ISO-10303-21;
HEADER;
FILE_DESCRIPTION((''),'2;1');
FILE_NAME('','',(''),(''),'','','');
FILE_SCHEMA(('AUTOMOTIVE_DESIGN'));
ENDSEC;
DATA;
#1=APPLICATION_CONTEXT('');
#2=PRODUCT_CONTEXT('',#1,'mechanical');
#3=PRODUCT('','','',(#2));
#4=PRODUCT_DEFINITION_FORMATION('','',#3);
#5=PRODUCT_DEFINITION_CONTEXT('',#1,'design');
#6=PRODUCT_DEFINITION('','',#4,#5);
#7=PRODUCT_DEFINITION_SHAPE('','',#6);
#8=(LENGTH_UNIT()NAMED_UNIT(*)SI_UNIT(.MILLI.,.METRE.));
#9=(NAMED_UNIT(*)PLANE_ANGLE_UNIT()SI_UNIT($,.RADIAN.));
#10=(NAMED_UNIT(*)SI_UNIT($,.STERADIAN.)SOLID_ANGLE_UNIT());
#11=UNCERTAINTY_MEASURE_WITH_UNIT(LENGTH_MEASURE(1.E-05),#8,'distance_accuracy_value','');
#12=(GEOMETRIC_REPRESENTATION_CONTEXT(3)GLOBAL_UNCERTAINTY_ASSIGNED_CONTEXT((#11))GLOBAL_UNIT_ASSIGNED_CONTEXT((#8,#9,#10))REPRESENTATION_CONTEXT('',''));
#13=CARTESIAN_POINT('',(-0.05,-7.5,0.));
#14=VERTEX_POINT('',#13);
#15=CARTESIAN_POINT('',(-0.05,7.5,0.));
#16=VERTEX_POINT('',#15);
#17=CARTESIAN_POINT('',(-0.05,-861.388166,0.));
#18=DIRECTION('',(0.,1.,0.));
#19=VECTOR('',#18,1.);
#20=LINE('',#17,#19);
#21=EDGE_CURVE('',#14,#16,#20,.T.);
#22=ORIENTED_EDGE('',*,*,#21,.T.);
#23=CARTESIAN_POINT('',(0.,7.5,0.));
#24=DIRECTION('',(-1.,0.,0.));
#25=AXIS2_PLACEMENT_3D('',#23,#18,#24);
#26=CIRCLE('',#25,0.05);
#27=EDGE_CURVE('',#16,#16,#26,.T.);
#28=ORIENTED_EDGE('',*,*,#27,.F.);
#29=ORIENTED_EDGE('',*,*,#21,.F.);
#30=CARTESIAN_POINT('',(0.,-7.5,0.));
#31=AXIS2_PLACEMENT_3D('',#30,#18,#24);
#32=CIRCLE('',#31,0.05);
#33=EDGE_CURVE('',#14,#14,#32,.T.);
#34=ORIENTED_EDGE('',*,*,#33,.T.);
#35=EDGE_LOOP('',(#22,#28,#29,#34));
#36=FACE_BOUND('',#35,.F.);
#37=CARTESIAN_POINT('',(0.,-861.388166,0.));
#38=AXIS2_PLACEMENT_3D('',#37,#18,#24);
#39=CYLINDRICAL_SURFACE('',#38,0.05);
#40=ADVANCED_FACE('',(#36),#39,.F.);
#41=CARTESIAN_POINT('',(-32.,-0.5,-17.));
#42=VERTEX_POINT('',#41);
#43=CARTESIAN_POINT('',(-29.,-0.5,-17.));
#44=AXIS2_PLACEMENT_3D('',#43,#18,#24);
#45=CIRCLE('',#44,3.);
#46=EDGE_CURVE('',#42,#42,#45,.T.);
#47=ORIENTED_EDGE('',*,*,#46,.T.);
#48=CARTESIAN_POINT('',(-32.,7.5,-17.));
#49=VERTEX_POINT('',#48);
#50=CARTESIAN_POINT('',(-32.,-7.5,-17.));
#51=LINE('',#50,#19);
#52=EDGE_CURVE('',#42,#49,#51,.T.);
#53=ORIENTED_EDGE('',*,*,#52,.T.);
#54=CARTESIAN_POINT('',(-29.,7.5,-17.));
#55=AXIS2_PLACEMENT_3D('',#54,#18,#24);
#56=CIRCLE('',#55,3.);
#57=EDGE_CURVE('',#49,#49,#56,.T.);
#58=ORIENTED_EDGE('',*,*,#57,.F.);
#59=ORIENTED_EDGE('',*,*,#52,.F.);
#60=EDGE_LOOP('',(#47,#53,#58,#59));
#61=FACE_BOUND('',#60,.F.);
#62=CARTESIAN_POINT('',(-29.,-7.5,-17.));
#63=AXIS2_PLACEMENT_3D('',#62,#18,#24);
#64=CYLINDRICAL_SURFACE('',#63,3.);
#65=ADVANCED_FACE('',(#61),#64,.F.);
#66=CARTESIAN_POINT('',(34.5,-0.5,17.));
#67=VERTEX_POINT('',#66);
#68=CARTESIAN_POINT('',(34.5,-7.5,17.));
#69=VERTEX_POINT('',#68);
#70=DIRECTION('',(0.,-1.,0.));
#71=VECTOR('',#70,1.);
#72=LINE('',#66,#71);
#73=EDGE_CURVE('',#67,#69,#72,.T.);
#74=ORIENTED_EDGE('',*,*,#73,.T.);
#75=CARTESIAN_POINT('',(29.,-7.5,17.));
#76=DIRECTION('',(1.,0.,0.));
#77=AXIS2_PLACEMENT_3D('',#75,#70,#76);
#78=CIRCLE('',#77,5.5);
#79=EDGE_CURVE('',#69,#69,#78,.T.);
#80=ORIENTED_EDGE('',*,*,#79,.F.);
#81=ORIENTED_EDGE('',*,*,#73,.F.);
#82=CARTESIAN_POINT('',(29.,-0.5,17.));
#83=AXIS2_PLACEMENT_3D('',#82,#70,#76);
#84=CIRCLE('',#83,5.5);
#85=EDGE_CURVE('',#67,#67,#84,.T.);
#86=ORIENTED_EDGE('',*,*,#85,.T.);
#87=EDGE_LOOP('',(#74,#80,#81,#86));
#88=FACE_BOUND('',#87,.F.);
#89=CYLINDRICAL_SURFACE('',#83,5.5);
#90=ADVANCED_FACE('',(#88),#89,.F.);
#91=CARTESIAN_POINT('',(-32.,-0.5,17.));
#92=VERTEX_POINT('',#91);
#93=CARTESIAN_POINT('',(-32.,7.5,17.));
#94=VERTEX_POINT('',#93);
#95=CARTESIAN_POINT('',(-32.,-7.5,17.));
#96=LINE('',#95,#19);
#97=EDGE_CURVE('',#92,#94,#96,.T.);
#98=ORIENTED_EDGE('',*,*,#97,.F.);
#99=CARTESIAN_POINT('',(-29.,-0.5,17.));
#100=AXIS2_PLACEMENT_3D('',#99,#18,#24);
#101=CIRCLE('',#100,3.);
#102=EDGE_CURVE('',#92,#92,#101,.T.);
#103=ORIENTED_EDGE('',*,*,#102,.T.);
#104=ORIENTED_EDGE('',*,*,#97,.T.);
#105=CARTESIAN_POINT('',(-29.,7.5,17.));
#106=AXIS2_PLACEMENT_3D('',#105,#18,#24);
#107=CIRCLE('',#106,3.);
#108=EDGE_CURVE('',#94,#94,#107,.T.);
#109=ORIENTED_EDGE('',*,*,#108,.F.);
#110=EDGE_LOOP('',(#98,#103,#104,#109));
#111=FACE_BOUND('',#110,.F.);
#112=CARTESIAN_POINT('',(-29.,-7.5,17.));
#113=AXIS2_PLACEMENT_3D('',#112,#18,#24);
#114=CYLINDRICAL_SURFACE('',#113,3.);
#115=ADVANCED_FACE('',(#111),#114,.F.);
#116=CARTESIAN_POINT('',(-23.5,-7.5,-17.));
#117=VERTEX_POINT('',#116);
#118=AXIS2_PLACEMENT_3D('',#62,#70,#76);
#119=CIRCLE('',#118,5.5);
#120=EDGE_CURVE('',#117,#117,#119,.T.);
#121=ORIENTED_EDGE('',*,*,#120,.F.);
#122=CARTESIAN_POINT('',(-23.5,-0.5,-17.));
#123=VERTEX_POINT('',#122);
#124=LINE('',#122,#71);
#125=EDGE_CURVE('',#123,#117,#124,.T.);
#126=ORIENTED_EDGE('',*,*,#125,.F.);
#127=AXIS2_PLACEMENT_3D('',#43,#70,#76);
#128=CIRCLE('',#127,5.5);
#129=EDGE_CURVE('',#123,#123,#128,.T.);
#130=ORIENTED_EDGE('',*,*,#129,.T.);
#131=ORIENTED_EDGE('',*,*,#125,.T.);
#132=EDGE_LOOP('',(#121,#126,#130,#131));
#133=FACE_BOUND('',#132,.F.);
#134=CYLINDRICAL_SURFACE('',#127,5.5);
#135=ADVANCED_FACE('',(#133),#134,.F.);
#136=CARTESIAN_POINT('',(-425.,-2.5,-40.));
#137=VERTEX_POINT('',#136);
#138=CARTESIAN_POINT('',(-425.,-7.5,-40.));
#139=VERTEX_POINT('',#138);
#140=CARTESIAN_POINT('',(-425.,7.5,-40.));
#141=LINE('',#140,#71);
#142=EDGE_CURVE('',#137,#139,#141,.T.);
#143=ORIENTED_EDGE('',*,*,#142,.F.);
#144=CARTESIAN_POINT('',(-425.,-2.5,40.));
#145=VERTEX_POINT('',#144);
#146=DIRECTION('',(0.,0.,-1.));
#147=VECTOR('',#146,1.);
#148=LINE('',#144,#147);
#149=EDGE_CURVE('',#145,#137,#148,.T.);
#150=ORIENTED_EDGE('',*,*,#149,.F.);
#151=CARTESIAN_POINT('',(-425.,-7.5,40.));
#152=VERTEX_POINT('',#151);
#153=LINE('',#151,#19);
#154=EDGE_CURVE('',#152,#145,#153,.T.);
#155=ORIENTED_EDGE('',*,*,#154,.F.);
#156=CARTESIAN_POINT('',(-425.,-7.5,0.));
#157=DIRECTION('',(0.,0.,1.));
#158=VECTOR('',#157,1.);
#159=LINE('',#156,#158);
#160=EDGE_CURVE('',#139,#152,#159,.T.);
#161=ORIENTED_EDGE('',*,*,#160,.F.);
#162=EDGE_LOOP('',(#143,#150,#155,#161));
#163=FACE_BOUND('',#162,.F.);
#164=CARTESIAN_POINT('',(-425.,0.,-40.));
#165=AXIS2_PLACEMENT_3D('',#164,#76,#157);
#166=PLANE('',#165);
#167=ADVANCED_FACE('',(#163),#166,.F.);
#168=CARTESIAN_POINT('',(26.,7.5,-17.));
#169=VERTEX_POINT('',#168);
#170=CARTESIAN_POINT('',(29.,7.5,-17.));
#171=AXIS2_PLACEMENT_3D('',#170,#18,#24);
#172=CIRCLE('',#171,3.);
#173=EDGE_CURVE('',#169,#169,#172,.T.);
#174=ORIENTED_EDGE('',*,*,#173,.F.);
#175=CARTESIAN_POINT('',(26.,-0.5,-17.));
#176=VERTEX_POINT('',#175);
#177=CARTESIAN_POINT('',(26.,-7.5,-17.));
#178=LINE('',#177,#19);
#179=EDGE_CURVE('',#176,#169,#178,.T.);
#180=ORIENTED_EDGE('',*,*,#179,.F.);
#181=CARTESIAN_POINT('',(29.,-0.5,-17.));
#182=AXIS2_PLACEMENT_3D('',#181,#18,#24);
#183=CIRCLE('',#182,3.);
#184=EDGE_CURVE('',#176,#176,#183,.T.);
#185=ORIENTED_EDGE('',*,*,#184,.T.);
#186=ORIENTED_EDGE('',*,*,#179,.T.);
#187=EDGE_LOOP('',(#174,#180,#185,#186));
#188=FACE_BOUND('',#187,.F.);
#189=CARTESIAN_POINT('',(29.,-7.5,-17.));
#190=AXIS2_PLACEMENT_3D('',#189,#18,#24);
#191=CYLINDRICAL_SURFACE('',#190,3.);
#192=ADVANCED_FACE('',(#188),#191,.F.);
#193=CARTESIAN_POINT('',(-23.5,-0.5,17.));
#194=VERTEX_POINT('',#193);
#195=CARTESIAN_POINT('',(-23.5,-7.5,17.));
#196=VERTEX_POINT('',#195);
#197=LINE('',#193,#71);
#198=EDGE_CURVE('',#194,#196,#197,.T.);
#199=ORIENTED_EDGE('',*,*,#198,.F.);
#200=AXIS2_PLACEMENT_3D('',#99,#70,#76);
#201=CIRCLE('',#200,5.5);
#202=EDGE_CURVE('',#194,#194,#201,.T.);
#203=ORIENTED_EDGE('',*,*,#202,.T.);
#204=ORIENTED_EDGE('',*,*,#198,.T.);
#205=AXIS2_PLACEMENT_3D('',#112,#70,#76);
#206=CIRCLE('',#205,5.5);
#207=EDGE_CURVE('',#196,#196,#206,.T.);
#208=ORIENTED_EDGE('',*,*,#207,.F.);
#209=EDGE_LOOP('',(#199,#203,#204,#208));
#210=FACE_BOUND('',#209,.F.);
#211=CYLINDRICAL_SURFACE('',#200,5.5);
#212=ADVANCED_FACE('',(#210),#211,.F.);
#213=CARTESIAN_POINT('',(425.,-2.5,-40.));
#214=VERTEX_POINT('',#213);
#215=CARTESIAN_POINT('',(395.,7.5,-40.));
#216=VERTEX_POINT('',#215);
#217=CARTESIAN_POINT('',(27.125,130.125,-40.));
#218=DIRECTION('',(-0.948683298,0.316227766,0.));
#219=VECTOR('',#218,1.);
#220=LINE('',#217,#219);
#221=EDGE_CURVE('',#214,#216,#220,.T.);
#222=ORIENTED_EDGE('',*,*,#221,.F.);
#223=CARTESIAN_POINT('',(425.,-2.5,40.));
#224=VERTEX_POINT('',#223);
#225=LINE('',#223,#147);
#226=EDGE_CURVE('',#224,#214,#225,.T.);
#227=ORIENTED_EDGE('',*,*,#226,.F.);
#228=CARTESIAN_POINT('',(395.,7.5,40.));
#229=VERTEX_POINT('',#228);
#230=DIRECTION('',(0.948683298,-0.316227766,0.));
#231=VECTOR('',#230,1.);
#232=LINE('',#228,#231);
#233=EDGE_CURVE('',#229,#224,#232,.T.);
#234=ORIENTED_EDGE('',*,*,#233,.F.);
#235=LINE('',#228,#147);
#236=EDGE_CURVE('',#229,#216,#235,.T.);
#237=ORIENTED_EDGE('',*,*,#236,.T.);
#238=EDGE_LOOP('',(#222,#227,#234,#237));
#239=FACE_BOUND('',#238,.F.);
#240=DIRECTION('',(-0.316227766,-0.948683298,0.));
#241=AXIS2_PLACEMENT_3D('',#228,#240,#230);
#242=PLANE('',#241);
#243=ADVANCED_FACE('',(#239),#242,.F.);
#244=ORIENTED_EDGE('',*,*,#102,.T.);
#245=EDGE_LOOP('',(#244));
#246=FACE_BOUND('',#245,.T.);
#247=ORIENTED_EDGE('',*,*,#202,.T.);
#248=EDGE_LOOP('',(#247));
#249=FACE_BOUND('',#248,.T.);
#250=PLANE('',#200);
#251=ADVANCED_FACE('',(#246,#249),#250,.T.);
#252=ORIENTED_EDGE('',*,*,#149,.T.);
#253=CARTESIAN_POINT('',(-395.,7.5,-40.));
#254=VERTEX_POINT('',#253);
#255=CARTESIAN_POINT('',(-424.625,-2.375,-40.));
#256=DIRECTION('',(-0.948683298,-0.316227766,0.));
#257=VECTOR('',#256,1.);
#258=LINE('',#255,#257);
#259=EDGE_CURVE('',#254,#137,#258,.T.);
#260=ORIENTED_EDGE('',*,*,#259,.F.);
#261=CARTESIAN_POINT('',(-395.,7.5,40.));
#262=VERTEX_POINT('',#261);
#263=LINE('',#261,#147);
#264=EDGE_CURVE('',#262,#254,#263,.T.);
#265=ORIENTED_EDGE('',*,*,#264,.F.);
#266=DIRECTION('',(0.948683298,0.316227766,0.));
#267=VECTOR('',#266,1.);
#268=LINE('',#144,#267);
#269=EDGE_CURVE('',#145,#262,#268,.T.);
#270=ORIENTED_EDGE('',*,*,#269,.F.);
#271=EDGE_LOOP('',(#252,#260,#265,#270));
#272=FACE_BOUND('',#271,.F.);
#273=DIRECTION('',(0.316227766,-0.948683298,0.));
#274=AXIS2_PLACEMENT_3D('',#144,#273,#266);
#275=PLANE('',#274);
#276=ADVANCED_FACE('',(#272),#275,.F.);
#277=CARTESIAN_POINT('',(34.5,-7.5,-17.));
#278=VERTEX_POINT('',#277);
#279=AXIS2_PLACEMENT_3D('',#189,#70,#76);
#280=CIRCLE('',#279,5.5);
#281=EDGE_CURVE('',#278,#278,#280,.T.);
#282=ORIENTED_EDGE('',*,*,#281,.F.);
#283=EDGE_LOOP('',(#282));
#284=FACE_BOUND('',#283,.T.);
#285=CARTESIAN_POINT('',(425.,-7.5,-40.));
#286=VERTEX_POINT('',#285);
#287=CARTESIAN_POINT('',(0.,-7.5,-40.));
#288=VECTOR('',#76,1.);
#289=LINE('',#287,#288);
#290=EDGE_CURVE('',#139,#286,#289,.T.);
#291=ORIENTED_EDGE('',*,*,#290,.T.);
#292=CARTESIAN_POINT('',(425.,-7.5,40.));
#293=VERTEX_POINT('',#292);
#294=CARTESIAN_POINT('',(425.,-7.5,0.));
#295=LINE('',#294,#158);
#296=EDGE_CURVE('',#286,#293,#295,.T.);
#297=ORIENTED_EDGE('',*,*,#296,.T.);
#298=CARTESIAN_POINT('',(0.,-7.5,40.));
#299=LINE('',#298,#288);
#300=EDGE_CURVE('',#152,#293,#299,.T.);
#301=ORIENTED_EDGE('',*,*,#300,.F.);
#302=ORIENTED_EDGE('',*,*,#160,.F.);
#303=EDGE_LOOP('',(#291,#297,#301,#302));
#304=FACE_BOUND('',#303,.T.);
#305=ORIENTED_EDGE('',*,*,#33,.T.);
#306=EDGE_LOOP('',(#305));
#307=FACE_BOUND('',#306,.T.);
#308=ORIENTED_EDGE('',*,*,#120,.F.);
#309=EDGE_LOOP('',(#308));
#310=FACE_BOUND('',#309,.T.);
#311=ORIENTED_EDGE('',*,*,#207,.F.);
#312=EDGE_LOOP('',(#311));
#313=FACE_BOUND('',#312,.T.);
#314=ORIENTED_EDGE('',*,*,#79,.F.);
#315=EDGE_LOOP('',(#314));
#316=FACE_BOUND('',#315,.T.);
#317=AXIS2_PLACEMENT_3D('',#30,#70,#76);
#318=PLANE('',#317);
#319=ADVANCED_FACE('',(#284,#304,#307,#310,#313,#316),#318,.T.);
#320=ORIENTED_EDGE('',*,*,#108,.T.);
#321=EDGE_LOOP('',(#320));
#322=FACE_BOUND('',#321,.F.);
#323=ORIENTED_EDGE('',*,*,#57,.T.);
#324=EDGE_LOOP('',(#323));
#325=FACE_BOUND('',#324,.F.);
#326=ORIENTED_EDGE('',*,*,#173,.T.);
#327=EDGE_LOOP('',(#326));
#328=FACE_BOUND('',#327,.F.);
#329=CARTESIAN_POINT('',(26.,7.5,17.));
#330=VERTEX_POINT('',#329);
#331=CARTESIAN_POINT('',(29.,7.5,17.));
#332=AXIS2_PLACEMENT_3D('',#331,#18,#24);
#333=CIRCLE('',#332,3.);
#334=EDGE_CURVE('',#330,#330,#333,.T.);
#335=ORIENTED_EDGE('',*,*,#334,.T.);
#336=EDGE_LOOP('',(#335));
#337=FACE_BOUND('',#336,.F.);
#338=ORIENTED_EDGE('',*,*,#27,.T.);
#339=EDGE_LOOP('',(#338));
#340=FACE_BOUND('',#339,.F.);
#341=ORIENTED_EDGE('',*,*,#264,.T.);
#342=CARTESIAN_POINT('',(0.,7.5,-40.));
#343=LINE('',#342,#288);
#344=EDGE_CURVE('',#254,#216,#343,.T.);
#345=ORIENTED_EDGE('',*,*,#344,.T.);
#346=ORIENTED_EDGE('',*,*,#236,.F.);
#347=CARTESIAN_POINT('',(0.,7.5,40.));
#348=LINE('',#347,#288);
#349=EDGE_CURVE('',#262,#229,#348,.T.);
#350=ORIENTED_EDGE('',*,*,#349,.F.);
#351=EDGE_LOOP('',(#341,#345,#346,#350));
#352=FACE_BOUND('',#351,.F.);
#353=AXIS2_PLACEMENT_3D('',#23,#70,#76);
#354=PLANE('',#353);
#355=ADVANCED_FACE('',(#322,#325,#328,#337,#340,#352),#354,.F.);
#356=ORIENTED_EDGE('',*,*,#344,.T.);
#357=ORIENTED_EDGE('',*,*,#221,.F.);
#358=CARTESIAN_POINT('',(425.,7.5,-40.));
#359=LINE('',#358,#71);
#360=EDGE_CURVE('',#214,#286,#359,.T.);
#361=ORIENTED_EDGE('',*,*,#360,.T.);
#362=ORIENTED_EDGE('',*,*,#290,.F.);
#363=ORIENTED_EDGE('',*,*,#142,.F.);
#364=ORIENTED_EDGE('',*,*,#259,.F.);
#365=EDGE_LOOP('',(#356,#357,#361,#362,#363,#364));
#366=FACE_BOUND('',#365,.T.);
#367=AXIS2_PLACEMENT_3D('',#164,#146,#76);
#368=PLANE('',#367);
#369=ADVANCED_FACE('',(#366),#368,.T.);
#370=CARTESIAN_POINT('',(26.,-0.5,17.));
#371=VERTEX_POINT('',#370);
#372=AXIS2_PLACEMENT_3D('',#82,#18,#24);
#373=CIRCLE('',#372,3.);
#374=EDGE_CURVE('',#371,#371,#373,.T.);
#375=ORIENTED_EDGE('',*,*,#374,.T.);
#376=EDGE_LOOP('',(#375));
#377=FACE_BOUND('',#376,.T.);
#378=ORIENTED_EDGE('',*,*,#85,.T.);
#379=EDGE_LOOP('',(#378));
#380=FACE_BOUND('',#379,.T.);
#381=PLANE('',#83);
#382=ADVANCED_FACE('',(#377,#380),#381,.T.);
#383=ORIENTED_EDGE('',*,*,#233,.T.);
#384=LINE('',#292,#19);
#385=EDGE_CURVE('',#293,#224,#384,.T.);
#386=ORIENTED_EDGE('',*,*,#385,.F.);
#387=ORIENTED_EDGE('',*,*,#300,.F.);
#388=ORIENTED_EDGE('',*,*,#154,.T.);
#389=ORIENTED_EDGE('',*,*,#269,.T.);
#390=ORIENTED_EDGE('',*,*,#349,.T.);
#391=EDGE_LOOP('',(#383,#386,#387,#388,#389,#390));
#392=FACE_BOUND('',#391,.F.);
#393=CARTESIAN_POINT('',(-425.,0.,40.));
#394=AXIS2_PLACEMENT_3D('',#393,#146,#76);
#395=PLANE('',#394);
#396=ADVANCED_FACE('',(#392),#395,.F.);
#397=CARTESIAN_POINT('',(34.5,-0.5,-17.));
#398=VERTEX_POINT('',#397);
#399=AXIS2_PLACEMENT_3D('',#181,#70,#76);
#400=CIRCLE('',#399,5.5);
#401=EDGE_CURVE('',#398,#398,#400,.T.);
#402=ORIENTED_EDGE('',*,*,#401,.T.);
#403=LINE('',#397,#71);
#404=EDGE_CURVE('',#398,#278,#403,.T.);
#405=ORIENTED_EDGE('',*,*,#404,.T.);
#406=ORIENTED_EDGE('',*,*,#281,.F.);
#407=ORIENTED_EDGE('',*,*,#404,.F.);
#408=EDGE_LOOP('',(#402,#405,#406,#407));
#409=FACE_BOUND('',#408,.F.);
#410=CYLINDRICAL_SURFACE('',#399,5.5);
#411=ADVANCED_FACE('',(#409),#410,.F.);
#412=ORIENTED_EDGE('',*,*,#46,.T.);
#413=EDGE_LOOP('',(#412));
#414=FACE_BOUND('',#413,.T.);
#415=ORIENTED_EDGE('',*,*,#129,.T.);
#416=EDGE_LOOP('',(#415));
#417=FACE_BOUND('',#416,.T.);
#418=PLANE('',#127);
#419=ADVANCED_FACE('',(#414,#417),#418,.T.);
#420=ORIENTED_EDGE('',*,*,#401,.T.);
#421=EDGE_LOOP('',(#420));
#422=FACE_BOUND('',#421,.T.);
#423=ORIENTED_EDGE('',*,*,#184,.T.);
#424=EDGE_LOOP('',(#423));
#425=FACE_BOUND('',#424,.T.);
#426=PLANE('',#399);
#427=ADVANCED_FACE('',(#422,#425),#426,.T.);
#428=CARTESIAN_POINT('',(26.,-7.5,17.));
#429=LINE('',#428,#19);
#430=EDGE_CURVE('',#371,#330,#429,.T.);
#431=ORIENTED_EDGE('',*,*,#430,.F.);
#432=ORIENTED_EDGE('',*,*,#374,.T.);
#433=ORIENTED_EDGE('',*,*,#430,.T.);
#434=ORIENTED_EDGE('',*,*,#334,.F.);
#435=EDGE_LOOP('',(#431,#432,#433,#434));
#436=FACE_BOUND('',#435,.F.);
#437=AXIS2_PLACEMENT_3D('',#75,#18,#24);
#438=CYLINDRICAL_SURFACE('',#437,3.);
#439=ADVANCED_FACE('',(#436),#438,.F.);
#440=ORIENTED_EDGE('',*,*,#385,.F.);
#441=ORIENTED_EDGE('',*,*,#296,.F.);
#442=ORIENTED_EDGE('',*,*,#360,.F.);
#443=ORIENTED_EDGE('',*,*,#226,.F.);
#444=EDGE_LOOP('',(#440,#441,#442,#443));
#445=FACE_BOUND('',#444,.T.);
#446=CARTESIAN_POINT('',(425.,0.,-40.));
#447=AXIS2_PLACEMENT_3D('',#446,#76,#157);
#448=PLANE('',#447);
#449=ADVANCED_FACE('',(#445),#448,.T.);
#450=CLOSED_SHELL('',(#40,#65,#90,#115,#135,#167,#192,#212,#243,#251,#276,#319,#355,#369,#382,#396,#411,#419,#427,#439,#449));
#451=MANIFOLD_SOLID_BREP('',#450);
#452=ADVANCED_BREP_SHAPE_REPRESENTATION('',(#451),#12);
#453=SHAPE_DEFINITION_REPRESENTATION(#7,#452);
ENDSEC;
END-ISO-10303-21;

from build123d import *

# Parameters (mm, degrees)
F0_W           = 850
F0_H           = 80
F1_DEPTH       = 7.5
F3_D           = 6
F3_CBORE_D     = 11
F3_CBORE_DEPTH = 7
F4_D           = 0.1
F6_DEPTH       = 80.001


with BuildPart() as f1:
    # F0 (on Front) → F1 (new body, symmetric)
    with BuildSketch(Plane.XZ):
        Rectangle(F0_W, F0_H)
    extrude(amount=F1_DEPTH, both=True)

    # F3 (through all)
    with Locations(Plane.XZ.offset(7.5)):
        with Locations((-29, 17), (29, 17), (29, -17), (-29, -17)):
            CounterBoreHole(F3_D / 2, F3_CBORE_D / 2, F3_CBORE_DEPTH)

    # F4 (through all)
    with Locations(Plane.XZ.offset(7.5)):
        with Locations((0, 0)):
            Hole(F4_D / 2)

    # F5 (on face) → F6 (cut, through all)
    with BuildSketch(Plane.XY.offset(40)):
        Polygon((-395, 7.5), (-425, 7.5), (-425, -2.5), align=None)
        Polygon((425, 7.5), (395, 7.5), (425, -2.5), align=None)
    extrude(amount=-F6_DEPTH, mode=Mode.SUBTRACT)


solid = f1.part
